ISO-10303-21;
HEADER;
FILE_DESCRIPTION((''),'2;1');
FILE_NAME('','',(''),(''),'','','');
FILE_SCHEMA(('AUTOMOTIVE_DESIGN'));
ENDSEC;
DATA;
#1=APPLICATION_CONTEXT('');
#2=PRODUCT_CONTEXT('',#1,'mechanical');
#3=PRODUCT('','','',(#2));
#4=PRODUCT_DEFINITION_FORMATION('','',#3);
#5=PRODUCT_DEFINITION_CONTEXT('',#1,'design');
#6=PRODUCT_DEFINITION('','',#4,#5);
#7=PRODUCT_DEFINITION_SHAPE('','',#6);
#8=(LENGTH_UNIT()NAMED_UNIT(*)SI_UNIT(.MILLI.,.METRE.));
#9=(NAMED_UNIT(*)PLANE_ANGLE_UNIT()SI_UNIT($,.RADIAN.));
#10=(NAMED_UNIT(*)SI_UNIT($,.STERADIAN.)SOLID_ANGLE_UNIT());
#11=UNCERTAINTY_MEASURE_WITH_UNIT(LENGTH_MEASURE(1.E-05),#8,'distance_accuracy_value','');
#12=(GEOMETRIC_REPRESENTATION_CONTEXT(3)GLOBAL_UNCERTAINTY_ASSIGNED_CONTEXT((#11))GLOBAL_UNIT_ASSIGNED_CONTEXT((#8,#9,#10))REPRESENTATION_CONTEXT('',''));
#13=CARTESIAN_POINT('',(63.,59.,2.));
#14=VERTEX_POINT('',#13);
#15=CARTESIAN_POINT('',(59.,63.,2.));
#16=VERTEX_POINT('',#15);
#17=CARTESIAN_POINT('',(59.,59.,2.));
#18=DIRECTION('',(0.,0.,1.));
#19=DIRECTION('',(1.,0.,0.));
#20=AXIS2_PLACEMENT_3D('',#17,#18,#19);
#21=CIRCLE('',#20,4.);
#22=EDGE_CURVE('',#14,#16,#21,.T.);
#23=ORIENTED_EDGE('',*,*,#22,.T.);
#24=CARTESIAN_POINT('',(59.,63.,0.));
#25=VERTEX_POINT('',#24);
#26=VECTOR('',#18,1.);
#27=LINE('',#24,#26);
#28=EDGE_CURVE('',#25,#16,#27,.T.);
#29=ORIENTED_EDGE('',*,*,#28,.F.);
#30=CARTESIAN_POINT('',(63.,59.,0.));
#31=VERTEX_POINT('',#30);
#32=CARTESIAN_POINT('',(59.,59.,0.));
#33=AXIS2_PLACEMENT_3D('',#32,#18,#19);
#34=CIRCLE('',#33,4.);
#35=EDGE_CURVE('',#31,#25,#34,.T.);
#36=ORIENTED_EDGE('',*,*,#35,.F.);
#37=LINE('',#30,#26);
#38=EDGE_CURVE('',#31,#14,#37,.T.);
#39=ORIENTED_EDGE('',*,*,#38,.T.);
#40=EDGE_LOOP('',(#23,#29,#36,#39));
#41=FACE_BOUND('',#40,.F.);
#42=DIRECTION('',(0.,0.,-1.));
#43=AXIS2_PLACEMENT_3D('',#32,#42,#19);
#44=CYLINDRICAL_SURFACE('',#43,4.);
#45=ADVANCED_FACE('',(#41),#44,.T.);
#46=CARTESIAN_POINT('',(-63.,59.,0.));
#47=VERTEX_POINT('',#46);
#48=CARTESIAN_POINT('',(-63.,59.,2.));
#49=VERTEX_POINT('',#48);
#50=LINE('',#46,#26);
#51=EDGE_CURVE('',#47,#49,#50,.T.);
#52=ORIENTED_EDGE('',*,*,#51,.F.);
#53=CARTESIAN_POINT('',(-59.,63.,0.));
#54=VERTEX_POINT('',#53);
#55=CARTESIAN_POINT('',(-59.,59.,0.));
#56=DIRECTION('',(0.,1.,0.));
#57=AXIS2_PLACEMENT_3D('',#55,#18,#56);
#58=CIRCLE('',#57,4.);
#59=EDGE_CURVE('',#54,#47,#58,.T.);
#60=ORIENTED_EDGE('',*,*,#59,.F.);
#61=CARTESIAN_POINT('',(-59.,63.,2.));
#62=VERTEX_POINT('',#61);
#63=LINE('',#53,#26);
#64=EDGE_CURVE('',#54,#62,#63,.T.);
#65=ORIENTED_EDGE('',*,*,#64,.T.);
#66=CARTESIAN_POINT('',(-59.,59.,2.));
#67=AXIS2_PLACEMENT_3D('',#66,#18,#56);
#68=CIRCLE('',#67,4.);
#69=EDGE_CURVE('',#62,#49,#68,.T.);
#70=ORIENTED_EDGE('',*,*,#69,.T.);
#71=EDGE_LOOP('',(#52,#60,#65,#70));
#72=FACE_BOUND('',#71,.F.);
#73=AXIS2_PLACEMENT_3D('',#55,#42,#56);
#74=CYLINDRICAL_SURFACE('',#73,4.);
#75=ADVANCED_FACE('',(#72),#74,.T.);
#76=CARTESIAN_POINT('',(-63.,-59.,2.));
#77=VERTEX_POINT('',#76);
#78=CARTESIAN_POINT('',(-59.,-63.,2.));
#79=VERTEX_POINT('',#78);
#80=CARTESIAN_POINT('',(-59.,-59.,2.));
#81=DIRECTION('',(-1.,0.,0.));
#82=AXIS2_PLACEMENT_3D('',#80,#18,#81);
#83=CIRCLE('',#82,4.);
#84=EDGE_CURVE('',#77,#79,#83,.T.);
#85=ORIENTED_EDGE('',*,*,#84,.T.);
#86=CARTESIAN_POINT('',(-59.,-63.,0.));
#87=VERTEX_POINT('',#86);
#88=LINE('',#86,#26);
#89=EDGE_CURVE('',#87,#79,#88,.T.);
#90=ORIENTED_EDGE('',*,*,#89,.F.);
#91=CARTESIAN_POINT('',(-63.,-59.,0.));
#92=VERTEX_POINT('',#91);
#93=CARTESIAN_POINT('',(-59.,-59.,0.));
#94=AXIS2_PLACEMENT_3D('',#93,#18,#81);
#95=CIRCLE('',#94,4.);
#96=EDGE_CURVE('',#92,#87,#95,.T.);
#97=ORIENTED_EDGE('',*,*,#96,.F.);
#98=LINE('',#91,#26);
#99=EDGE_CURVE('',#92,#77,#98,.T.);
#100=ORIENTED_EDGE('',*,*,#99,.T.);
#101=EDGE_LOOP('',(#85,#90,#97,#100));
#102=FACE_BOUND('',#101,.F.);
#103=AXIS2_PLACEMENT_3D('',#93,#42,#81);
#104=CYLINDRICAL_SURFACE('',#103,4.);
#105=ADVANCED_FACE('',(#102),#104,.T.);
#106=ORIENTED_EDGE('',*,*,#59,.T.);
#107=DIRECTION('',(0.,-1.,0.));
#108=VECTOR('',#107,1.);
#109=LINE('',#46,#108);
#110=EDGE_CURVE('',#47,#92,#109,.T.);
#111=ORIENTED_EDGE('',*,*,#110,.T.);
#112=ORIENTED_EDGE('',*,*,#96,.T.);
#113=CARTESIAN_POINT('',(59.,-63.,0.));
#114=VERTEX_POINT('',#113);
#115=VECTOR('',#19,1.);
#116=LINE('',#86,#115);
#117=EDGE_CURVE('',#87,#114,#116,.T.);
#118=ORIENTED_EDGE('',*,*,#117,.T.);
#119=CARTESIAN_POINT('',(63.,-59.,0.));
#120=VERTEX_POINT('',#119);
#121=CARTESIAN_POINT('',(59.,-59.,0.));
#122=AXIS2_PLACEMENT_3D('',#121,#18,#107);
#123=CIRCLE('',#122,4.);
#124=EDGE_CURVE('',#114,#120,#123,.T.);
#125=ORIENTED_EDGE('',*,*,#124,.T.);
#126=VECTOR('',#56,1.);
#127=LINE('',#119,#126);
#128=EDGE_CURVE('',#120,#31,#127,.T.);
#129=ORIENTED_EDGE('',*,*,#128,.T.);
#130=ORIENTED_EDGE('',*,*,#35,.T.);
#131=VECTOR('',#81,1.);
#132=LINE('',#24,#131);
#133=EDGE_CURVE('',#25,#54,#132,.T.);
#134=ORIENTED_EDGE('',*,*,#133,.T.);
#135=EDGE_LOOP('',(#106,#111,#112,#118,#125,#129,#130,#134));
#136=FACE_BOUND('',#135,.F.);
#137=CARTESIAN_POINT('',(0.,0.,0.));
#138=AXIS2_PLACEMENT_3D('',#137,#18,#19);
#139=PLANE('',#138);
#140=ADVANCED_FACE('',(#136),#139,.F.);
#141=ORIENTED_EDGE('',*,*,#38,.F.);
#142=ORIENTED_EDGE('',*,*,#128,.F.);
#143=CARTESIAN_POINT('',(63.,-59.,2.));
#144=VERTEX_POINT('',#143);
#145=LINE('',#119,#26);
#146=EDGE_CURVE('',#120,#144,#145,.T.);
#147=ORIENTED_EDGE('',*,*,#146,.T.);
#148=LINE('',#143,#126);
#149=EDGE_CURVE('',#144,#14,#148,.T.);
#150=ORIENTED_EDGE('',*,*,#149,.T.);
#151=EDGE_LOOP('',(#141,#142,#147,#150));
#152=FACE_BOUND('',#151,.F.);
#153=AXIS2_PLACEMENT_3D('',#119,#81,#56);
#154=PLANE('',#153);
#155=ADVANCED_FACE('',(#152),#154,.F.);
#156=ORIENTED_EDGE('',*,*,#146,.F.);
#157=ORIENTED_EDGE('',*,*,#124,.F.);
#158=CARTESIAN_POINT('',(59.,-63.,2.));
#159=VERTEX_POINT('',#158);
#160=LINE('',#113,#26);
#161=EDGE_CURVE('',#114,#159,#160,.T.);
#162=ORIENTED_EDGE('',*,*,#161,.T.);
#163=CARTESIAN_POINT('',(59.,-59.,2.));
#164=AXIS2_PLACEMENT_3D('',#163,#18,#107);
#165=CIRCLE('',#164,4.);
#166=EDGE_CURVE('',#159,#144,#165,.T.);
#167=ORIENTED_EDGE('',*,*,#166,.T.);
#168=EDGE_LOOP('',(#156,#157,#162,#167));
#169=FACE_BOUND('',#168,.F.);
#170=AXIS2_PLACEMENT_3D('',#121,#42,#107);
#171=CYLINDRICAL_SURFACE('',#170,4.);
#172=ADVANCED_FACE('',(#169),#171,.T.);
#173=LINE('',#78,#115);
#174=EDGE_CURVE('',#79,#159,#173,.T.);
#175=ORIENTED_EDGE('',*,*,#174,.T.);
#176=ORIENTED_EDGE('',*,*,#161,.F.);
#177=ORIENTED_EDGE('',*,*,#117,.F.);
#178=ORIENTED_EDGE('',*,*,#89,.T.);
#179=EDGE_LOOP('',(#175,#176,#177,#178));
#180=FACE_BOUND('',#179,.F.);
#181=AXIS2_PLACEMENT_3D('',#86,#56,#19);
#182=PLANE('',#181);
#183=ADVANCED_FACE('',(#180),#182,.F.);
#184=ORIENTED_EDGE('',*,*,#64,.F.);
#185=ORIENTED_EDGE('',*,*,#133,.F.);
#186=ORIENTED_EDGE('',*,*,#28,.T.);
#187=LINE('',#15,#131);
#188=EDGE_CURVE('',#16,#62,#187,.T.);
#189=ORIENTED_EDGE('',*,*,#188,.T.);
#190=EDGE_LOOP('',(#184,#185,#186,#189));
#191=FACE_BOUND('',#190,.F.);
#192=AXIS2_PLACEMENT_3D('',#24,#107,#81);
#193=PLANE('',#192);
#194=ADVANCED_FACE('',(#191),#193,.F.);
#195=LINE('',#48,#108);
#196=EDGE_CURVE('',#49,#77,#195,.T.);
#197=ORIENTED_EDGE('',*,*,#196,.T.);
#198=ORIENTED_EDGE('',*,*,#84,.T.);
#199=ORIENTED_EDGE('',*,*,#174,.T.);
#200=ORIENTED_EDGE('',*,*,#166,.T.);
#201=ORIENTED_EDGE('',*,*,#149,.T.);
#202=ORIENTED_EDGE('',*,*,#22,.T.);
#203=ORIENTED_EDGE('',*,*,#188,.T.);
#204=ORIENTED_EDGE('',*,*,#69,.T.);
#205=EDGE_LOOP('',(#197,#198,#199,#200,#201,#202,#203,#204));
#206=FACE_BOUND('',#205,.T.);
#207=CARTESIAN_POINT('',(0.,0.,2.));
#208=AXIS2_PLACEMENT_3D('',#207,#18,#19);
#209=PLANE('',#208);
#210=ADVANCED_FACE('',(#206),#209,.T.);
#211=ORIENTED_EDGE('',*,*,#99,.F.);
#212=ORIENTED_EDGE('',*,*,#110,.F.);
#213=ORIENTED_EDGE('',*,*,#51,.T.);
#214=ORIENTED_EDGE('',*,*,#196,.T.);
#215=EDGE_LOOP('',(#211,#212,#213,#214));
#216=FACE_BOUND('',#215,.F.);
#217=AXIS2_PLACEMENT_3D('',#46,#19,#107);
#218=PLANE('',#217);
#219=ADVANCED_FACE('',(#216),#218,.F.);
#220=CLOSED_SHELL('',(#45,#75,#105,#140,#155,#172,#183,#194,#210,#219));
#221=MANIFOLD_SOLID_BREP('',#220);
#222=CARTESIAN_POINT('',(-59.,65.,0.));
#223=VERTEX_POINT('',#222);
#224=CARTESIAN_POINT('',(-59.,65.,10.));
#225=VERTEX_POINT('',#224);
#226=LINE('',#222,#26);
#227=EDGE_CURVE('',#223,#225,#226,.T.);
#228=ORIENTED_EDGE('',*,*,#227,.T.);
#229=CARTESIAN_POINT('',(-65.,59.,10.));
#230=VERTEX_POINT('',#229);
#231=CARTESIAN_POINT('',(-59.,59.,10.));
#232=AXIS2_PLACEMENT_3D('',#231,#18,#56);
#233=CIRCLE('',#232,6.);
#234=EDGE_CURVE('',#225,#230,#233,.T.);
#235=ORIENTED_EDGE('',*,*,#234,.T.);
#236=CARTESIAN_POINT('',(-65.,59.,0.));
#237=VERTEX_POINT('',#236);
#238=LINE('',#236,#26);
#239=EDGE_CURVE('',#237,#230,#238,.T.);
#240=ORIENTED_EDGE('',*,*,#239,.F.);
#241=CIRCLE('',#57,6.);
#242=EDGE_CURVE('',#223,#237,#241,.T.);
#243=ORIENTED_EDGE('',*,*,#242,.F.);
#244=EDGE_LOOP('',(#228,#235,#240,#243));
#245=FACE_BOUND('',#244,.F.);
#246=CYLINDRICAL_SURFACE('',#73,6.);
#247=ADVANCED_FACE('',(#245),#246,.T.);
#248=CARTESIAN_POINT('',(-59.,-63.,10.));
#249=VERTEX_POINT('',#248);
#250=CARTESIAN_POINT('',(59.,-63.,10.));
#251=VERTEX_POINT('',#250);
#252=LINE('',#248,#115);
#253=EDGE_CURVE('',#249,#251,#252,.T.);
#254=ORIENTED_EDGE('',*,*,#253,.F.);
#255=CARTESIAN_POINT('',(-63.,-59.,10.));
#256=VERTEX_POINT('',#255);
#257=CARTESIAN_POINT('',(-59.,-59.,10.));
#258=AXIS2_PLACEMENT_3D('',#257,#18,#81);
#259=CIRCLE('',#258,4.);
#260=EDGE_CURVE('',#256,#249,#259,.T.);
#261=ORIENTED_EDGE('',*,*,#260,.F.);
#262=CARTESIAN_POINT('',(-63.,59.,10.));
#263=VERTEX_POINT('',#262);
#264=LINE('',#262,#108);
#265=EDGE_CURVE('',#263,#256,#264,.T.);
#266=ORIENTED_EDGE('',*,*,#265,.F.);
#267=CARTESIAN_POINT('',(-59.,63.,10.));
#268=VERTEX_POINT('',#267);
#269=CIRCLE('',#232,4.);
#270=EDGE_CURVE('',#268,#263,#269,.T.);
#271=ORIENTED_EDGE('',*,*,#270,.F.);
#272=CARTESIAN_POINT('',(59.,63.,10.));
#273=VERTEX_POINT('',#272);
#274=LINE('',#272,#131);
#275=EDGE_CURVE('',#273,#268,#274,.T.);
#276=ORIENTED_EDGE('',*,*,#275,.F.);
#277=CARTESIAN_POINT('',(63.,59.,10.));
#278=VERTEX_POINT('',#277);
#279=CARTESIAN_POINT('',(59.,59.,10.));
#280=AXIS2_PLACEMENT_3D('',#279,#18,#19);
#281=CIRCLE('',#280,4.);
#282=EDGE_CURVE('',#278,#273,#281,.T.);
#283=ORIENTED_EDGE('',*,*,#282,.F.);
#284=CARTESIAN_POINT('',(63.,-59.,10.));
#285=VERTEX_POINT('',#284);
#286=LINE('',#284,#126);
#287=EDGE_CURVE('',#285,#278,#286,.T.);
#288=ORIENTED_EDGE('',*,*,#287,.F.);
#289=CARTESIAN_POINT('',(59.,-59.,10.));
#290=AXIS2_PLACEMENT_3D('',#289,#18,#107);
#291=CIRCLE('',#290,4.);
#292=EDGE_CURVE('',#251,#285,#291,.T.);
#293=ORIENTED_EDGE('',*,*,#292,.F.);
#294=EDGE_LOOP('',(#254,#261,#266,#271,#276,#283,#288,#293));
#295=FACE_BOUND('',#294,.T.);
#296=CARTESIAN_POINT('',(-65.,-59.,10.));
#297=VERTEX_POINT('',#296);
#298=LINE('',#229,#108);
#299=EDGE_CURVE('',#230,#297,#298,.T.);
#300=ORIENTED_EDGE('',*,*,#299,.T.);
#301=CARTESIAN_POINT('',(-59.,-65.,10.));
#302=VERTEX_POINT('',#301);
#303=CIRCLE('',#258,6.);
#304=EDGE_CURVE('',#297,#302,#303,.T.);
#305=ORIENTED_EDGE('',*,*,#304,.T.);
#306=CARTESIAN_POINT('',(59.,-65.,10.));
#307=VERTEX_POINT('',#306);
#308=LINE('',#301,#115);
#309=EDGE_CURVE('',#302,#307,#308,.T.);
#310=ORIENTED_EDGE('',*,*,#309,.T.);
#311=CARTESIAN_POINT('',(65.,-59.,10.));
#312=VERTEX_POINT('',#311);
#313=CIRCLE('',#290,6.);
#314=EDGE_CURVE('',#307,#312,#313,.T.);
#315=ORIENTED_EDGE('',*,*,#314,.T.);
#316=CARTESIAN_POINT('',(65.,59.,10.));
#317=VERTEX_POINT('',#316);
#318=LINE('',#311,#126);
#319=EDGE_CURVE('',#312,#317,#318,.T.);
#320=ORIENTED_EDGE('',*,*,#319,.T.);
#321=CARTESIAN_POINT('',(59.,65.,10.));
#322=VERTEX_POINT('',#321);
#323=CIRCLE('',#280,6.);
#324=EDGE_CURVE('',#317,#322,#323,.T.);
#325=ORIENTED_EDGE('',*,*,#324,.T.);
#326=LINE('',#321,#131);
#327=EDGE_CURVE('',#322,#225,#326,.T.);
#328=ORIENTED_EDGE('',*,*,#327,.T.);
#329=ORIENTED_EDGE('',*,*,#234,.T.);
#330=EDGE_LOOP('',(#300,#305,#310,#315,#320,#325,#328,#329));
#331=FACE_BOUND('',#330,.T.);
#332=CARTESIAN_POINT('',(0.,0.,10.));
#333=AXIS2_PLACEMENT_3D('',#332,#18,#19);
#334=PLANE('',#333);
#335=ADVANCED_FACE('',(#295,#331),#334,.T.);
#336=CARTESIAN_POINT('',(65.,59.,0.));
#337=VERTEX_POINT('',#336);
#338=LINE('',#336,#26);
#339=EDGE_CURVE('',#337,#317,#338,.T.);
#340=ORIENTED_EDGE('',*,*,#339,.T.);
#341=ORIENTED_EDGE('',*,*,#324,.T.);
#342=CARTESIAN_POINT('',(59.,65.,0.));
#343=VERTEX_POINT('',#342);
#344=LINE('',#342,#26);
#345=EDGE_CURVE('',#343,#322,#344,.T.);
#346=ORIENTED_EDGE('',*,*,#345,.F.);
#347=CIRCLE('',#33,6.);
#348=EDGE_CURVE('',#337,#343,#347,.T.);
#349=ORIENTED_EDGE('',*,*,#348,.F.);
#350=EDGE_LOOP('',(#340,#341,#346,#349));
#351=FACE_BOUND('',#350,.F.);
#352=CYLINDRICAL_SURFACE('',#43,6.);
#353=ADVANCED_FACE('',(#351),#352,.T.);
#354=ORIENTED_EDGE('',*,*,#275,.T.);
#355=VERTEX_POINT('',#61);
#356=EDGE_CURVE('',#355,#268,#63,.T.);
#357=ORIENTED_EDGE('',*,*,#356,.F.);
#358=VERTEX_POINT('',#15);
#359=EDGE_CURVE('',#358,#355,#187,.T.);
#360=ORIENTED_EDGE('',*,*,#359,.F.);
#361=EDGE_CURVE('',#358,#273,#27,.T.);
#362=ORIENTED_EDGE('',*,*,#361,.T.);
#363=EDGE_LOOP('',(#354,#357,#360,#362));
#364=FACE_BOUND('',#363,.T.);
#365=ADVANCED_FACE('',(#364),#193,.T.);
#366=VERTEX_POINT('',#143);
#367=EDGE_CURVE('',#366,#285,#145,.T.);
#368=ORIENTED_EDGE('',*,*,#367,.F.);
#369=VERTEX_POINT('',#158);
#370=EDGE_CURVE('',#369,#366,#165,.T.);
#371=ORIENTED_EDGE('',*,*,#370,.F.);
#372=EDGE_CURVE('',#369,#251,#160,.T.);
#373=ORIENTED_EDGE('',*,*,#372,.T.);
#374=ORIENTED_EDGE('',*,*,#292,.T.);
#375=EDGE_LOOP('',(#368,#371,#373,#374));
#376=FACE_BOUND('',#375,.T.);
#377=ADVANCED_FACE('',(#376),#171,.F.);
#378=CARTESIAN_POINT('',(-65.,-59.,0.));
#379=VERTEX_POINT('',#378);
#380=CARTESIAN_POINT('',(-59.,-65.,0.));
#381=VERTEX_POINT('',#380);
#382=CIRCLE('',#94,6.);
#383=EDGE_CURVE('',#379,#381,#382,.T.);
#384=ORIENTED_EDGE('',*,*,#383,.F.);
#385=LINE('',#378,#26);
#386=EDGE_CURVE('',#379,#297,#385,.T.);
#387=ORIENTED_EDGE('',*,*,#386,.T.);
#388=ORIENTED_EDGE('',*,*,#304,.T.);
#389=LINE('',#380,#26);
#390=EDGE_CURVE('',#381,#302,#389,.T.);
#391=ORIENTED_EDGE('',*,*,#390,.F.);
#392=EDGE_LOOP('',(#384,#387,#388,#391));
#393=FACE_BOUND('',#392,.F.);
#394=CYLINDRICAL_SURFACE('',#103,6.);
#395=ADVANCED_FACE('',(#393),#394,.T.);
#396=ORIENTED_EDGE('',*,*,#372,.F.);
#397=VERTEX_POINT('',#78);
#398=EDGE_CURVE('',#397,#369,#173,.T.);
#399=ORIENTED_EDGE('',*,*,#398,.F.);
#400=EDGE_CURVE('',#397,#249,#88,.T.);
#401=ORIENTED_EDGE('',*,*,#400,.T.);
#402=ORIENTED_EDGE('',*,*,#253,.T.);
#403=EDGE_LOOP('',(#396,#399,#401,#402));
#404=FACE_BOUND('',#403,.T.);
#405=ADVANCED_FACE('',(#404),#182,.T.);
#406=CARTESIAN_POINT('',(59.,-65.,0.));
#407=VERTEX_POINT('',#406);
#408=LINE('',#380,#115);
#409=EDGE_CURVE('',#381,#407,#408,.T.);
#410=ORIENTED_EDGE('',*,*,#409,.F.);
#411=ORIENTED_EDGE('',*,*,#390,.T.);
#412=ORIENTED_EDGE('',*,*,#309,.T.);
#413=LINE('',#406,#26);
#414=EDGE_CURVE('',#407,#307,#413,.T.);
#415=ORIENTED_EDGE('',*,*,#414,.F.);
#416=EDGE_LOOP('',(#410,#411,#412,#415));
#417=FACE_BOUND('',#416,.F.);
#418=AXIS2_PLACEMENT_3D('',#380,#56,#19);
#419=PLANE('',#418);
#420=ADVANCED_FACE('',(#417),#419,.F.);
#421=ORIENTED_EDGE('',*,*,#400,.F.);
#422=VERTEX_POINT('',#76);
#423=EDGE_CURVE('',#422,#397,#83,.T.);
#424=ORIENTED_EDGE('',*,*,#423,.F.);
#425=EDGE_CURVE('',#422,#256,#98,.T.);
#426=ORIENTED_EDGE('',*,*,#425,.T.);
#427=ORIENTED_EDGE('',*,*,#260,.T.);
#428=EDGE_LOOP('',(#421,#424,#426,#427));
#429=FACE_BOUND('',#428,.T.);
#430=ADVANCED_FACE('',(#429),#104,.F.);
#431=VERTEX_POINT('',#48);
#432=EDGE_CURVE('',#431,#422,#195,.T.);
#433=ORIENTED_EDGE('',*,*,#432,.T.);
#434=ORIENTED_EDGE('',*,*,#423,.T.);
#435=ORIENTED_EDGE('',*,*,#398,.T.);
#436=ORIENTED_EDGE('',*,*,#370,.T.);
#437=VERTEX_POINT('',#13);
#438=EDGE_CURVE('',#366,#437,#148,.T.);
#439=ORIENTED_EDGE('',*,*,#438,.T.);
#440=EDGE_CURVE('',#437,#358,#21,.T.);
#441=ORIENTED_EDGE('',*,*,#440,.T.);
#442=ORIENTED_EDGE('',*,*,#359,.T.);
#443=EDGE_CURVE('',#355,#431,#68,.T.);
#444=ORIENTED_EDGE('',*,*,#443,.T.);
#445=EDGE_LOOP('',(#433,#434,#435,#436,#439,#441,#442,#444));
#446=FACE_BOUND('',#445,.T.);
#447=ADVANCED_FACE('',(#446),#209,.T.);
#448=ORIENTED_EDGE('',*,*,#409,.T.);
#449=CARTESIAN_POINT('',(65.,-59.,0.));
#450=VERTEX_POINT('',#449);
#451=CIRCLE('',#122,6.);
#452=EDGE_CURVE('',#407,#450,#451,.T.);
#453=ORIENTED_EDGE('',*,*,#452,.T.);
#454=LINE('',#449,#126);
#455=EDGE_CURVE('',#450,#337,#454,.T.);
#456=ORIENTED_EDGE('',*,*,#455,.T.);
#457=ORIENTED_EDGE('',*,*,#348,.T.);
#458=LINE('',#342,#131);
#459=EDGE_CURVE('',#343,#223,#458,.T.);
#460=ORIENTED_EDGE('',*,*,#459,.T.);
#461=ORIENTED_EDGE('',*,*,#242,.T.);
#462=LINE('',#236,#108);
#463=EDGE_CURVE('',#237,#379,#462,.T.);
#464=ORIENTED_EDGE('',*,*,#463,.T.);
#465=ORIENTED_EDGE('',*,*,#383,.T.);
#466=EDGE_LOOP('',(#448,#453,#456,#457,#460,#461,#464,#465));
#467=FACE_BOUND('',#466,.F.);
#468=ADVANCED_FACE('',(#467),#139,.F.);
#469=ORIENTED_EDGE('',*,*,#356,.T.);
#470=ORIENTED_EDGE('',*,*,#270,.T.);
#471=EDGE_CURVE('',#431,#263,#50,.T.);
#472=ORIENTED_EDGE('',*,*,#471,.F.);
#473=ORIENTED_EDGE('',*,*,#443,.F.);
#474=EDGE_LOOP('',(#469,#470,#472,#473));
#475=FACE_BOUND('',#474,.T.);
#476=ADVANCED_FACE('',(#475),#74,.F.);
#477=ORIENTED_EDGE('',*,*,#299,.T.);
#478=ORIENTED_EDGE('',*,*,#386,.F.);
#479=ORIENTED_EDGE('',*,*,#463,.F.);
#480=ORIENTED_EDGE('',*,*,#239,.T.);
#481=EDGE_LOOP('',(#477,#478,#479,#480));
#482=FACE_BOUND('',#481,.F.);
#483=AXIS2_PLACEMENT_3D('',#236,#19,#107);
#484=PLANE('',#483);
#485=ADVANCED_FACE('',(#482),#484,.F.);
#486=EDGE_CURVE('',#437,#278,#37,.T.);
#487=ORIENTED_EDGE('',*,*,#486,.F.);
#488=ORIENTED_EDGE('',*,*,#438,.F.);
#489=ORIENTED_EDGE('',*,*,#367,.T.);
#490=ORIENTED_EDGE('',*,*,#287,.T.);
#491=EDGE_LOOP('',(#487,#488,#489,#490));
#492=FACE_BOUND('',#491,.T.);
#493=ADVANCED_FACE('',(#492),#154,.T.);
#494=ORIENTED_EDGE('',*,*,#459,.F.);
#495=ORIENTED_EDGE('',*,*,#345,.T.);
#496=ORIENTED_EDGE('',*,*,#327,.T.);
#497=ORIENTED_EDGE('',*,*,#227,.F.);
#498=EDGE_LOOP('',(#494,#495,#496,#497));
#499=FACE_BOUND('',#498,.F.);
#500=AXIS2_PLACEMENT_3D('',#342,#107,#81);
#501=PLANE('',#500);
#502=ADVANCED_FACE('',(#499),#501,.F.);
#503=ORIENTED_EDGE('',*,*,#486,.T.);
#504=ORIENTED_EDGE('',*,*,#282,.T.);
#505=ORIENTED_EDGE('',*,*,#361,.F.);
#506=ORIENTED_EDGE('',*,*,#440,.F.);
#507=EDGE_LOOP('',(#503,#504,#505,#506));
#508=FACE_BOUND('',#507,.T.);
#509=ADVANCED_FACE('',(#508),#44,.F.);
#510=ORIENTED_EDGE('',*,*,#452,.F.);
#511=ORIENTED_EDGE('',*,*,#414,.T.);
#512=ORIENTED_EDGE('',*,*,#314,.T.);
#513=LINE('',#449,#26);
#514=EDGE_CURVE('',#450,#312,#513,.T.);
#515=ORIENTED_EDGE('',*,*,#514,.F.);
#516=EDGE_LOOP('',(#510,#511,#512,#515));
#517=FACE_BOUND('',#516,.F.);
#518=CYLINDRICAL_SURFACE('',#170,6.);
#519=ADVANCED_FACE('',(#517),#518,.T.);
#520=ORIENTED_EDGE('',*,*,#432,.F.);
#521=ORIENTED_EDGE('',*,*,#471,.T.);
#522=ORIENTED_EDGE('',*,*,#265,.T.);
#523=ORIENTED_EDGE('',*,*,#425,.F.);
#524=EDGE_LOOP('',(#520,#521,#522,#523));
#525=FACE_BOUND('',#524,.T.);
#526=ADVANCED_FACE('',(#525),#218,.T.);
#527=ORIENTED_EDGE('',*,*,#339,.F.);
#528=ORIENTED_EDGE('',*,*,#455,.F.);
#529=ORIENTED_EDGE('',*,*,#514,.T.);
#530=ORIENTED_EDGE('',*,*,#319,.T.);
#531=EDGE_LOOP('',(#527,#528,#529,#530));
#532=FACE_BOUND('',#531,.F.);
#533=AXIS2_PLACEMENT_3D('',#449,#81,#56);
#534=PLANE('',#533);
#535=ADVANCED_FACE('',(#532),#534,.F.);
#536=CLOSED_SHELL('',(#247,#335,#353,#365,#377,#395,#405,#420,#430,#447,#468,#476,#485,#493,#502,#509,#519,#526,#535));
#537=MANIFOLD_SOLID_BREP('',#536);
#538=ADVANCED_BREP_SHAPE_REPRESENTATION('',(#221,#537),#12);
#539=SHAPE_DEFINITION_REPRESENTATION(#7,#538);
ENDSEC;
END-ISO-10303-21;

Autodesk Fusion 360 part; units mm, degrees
sketch "Bottom and Walls" plane through (0, 0, 0) normal (0, 0, 1) x (1, 0, 0)
  line L0 (59, 65) -> (-59, 65)
  line L1 (-65, 59) -> (-65, -59)
  line L2 (-59, -65) -> (59, -65)
  line L3 (65, -59) -> (65, 59)
  line L4 (65, 65) -> (-65, -65) construction
  line L5 (-65, 65) -> (65, -65) construction
  arc A0 (-59, 65) -> (-65, 59) centre (-59, 59) ccw
  arc A1 (65, 59) -> (59, 65) centre (59, 59) ccw
  arc A2 (59, -65) -> (65, -59) centre (59, -59) ccw
  arc A3 (-65, -59) -> (-59, -65) centre (-59, -59) ccw
  line L6 (-63, 59) -> (-63, -59)
  arc A4 (-63, -59) -> (-59, -63) centre (-59, -59) ccw
  line L7 (-59, -63) -> (59, -63)
  arc A5 (59, -63) -> (63, -59) centre (59, -59) ccw
  line L8 (63, -59) -> (63, 59)
  arc A6 (63, 59) -> (59, 63) centre (59, 59) ccw
  line L9 (59, 63) -> (-59, 63)
  arc A7 (-59, 63) -> (-63, 59) centre (-59, 59) ccw
  dimension "d6" = 130
  dimension "d7" = 130
  dimension "d8" = 6
  dimension "d9" = -2
extrude "Extrude2" add sketch "Bottom and Walls" along normal blind 10 makes body 1
extrude "Extrude3" add sketch "Bottom and Walls" along normal blind 2 contours L6 A4 L7 A5 L8 A6 L9 A7 bodies 1
extrude "Extrude4" add sketch "Bottom and Walls" along normal blind 2 separate body contours L6 A4 L7 A5 L8 A6 L9 A7 makes body 2
